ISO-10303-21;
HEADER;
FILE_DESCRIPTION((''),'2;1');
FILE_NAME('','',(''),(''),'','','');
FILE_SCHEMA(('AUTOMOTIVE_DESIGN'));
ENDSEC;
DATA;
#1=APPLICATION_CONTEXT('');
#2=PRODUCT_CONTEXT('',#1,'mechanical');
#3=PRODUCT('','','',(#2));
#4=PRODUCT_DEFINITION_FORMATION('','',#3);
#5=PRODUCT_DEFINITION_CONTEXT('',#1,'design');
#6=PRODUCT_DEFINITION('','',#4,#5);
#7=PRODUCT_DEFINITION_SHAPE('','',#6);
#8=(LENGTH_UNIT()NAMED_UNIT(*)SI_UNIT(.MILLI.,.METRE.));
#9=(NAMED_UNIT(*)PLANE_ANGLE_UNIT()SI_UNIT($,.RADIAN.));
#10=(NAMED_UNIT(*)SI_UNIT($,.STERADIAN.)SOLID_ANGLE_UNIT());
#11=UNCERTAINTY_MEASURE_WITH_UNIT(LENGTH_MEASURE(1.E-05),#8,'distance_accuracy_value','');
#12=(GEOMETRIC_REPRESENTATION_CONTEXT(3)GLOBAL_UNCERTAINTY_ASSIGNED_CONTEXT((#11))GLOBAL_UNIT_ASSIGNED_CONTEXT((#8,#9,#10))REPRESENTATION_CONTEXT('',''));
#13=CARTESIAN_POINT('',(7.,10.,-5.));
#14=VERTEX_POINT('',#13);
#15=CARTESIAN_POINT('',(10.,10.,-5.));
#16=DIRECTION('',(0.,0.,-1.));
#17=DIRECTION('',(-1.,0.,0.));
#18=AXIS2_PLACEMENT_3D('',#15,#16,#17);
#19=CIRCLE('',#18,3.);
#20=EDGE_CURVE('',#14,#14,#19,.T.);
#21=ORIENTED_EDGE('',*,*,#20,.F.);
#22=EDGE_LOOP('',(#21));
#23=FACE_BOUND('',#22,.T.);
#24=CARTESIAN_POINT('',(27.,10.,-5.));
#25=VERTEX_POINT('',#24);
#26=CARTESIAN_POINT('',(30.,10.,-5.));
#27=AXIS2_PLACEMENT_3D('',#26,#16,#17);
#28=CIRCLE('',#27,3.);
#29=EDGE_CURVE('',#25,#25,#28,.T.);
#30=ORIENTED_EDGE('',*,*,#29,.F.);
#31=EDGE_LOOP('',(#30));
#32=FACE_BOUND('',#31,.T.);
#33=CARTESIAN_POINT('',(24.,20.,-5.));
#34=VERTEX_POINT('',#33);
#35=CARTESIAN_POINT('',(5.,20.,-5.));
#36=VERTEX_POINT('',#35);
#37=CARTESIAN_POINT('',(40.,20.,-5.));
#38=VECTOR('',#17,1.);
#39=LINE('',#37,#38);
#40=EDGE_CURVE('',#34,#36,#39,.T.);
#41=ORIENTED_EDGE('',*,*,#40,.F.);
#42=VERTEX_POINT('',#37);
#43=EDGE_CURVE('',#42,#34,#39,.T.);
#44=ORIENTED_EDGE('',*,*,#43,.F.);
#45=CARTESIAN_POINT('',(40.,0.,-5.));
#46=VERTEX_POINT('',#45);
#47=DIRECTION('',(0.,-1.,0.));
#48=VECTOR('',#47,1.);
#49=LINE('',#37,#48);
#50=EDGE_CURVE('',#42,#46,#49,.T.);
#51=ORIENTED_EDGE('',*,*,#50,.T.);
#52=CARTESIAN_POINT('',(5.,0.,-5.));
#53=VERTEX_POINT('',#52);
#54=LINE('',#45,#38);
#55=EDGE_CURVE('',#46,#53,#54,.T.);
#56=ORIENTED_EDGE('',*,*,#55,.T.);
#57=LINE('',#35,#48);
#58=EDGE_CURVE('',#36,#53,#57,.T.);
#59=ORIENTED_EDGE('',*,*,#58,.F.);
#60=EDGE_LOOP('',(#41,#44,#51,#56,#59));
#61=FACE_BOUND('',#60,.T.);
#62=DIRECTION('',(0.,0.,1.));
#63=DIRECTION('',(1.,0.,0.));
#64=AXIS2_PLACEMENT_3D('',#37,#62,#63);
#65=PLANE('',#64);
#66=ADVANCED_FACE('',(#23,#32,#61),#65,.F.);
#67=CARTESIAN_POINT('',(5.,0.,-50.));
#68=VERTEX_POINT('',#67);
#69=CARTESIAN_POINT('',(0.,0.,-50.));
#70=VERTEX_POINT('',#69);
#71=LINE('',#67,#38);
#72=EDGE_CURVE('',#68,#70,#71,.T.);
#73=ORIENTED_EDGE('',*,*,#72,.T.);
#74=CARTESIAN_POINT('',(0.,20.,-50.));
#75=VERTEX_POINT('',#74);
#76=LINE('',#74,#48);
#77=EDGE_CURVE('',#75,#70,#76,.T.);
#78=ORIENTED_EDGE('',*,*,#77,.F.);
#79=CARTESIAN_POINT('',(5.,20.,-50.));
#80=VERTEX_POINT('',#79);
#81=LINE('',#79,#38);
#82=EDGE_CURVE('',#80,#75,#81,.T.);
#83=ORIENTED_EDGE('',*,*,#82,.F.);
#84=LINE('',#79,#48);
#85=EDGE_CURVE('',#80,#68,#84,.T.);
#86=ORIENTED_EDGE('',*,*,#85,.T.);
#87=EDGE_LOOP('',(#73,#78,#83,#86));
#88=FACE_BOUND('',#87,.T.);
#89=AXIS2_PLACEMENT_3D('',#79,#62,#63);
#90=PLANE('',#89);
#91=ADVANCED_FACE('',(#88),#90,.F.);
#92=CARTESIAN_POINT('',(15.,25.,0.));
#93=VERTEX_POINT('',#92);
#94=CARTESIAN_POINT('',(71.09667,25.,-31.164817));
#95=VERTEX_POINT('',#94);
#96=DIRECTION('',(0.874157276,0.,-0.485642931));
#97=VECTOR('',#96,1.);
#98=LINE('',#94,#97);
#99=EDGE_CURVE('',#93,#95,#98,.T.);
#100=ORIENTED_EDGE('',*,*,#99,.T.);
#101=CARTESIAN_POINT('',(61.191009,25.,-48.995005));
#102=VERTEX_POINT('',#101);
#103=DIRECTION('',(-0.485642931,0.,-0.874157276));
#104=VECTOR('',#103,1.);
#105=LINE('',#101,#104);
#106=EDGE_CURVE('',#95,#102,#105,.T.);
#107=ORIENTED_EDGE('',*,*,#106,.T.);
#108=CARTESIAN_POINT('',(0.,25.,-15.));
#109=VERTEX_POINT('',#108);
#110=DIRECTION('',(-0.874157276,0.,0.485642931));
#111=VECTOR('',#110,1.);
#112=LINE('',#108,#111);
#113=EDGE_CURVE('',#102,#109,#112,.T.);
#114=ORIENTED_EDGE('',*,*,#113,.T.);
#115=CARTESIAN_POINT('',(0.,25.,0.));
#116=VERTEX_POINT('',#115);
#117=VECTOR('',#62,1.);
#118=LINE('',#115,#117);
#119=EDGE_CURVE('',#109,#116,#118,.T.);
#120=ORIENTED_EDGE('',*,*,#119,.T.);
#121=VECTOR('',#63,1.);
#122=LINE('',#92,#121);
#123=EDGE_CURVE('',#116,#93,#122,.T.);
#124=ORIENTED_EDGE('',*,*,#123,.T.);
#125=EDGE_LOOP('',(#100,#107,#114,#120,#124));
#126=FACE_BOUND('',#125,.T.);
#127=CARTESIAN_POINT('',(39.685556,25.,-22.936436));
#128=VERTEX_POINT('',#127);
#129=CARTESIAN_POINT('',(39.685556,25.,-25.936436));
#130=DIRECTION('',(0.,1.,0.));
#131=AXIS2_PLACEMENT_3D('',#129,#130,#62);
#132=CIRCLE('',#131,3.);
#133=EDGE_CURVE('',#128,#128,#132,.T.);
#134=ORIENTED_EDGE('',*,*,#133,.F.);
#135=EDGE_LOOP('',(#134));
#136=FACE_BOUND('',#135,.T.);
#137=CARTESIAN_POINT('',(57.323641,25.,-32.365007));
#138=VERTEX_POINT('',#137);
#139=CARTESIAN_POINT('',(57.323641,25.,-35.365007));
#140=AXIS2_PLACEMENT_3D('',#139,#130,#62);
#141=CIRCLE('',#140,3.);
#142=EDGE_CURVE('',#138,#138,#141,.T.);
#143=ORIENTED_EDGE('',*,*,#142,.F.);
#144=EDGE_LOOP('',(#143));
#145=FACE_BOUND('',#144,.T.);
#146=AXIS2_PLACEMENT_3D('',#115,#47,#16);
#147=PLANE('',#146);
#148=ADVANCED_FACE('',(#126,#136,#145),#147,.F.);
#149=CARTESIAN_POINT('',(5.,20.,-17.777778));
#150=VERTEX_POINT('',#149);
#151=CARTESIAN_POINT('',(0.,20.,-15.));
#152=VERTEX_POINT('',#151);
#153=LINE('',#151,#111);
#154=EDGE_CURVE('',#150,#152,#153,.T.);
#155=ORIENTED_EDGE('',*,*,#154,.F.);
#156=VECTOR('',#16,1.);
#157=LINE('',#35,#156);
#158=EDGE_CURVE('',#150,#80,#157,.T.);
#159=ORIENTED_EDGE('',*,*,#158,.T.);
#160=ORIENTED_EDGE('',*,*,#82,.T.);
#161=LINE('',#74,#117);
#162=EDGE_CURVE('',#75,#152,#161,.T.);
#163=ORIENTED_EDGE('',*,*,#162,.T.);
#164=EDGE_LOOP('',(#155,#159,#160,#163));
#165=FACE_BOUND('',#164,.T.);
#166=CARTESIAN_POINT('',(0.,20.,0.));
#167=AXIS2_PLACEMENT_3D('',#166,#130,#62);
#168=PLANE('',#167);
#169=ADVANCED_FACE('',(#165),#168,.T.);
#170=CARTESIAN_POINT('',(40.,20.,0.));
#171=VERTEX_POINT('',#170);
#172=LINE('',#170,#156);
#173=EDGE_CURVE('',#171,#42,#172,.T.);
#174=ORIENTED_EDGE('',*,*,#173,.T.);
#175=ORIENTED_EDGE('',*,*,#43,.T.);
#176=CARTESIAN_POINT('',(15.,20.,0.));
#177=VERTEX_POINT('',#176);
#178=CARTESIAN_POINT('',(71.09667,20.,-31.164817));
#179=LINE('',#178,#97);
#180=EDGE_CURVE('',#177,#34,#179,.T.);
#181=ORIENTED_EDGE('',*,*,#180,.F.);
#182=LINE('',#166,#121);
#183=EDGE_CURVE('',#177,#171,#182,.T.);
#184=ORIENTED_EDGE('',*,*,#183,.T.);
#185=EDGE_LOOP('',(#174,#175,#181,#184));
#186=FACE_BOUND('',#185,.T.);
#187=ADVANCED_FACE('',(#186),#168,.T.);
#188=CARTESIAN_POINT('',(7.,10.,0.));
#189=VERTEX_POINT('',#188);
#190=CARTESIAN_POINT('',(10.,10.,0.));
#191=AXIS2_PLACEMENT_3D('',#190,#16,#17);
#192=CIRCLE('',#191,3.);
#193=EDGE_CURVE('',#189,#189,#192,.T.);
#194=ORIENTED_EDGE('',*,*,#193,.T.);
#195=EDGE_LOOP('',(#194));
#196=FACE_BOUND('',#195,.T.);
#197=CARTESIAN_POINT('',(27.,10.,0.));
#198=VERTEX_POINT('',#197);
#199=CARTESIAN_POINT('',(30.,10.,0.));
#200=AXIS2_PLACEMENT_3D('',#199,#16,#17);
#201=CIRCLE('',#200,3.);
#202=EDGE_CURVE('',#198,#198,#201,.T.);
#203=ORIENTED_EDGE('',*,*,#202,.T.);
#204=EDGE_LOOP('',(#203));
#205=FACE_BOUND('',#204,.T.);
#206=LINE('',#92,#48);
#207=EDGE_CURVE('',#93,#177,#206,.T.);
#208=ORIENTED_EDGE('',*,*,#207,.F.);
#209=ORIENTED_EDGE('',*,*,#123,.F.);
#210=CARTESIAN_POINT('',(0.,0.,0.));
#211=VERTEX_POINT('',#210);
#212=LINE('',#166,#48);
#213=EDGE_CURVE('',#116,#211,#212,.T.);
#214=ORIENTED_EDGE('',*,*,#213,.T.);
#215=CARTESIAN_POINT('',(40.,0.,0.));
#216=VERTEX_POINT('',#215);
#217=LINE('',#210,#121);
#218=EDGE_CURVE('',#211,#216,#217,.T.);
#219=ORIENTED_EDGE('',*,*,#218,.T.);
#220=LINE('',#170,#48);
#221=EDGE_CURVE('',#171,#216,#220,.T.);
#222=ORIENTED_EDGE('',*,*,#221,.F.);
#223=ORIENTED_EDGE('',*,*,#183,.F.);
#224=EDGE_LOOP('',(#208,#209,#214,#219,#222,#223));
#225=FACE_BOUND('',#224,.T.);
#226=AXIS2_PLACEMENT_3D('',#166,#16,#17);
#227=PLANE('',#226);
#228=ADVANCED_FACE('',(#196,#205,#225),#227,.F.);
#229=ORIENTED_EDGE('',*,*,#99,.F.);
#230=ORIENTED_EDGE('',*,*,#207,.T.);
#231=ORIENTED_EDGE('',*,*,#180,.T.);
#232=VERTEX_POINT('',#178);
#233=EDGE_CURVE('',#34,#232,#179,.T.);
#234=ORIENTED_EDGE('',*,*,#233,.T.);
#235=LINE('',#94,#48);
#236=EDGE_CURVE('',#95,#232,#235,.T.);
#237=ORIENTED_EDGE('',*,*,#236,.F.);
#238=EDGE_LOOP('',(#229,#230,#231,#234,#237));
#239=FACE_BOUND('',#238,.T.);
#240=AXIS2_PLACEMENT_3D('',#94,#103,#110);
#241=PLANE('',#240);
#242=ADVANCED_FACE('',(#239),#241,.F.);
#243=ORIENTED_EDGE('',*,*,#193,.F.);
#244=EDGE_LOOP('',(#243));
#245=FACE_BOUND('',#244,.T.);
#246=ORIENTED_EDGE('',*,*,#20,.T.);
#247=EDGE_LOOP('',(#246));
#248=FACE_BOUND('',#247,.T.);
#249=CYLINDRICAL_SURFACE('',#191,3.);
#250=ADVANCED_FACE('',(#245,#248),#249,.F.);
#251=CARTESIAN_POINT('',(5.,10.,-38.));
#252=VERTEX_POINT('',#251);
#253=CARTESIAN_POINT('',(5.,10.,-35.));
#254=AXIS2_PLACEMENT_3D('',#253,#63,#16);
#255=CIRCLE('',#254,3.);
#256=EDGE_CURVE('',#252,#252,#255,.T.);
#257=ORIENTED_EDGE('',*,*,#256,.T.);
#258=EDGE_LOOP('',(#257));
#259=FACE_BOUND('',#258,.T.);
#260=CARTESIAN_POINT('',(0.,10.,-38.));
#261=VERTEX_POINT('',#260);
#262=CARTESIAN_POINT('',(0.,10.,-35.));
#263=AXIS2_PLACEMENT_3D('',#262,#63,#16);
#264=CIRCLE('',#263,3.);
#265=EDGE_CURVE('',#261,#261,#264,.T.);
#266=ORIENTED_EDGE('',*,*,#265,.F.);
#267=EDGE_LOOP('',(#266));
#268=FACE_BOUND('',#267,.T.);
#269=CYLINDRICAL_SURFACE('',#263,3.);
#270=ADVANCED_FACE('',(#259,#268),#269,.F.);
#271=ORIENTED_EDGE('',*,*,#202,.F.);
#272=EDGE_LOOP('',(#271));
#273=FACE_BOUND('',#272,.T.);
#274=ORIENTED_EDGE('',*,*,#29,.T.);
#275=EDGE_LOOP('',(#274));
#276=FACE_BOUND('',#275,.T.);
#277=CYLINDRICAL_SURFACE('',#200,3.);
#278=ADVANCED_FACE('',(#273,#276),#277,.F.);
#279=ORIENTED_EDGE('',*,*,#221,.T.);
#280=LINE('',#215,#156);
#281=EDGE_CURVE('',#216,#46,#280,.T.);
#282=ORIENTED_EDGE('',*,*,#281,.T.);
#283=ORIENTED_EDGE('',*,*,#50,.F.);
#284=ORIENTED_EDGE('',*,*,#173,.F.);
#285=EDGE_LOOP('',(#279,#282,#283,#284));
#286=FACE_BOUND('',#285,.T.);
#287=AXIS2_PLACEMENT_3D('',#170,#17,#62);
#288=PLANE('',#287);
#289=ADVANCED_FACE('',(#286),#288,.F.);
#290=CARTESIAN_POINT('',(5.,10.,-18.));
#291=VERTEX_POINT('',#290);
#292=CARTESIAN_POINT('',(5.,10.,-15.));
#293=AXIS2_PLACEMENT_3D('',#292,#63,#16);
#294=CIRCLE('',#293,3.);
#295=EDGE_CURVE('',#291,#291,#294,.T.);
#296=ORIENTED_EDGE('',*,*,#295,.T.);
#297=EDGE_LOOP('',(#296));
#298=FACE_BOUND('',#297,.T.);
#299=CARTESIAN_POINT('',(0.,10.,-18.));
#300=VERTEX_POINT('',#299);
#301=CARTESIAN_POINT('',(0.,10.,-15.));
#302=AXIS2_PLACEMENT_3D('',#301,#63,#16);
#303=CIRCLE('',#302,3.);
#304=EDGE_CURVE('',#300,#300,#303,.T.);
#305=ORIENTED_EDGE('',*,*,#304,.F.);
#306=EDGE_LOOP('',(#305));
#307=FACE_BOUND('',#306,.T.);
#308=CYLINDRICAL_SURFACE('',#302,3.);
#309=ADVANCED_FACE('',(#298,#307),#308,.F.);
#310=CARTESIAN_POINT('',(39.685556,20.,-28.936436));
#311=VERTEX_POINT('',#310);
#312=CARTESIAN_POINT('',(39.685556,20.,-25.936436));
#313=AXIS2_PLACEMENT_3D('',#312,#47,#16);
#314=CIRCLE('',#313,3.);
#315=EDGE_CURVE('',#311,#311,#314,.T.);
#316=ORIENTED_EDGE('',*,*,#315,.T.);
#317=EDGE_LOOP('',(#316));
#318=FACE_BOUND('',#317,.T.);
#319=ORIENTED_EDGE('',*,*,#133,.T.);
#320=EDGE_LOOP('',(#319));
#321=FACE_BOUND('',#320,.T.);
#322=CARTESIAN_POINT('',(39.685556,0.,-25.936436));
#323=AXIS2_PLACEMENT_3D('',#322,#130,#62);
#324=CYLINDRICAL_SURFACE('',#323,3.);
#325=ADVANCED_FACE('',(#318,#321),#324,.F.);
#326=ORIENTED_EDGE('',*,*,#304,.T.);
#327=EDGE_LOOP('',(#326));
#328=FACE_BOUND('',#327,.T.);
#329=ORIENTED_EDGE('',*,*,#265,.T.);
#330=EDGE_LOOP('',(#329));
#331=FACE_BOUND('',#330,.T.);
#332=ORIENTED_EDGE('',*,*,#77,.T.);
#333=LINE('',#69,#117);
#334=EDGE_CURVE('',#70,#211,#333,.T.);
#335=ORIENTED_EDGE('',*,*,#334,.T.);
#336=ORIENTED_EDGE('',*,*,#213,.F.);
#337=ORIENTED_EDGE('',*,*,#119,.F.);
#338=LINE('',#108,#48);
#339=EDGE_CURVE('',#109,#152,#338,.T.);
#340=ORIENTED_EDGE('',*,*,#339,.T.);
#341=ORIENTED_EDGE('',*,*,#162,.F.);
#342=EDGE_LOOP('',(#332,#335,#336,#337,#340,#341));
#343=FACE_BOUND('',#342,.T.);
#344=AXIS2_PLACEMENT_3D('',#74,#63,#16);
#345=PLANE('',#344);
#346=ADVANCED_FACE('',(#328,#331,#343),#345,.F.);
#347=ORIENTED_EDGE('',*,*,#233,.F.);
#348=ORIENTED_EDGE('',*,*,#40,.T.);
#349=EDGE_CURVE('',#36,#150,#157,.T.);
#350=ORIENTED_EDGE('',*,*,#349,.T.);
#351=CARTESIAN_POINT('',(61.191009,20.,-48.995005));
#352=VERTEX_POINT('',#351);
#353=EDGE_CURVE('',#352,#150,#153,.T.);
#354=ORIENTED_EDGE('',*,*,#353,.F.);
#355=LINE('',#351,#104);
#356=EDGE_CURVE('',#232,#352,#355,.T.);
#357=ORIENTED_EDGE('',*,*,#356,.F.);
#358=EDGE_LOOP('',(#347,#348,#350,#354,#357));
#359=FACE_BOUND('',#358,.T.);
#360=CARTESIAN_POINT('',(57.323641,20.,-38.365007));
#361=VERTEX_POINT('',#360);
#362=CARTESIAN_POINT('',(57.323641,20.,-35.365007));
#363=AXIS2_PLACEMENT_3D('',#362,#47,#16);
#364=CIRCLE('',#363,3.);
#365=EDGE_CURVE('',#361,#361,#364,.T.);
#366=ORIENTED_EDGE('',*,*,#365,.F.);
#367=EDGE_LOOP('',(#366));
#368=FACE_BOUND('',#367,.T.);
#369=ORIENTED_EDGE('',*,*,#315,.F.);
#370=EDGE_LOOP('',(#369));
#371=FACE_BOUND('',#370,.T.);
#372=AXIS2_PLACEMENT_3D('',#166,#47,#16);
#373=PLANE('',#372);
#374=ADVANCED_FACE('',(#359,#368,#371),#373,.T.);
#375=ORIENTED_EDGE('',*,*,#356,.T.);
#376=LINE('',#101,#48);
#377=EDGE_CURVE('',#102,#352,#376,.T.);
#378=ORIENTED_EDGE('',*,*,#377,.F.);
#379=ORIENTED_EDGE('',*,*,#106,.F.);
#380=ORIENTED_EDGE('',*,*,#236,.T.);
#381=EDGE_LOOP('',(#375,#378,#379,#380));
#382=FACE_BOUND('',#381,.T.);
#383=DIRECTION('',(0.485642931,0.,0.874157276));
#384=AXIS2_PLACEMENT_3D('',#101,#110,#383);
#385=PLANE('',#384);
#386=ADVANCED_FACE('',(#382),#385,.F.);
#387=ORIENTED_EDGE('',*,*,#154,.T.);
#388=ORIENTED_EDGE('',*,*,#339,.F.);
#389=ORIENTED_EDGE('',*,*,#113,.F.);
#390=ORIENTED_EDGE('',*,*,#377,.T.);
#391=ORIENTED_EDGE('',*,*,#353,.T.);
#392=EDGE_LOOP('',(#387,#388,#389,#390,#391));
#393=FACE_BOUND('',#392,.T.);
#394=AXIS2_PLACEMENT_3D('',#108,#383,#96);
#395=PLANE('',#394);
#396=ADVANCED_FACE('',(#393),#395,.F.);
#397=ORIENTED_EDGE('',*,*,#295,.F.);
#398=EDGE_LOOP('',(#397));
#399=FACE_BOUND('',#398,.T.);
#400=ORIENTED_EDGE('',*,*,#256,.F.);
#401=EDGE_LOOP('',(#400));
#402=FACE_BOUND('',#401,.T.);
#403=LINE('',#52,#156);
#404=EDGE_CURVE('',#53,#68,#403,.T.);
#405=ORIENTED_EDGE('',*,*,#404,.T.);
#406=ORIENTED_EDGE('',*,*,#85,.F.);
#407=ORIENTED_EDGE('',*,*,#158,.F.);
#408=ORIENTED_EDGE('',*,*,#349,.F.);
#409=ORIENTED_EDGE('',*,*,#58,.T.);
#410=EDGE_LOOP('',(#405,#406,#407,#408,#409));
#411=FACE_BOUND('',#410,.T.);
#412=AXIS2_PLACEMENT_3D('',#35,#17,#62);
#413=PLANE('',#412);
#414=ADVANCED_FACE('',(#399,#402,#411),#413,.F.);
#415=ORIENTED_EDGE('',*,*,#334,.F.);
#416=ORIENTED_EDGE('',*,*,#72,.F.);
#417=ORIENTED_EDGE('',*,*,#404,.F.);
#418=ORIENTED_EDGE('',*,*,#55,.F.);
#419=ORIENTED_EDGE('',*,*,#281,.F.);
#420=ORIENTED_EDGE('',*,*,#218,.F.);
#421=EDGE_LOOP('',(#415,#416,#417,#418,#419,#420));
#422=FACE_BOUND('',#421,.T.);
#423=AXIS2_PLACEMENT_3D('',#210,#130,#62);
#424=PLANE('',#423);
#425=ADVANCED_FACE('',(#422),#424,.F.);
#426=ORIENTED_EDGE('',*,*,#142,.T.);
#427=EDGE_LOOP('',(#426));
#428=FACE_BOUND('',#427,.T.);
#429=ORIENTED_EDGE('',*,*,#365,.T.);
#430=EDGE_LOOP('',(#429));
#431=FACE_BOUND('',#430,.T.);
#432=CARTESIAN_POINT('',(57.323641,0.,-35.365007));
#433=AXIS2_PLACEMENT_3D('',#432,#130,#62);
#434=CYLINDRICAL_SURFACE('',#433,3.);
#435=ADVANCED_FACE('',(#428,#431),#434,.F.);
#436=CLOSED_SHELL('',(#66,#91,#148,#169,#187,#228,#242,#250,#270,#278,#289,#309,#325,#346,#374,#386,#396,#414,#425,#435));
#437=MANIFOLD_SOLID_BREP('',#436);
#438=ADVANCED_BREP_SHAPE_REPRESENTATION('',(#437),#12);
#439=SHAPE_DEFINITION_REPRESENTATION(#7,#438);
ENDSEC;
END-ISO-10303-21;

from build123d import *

# Parameters (mm, degrees)
BOSS_EXTRUDE1_DEPTH = 20
BOSS_EXTRUDE5_DEPTH = 5
SKETCH12_R          = 3
CUT_EXTRUDE7_DEPTH  = 88.776628115
SKETCH13_R          = 3
CUT_EXTRUDE8_DEPTH  = 87.566562518
SKETCH14_R          = 3
CUT_EXTRUDE9_DEPTH  = 91.441895398


with BuildPart() as part:
    # Sketch1 → Boss-Extrude1 (new body)
    with BuildSketch(Plane(origin=(0, 0, 0), x_dir=(1, 0, 0), z_dir=(0, 1, 0))):
        Polygon((0, 50), (0, 0), (40, 0), (40, 5), (5, 5), (5, 50), align=None)
    extrude(amount=BOSS_EXTRUDE1_DEPTH)

    # Sketch11 → Boss-Extrude5 (add)
    with BuildSketch(Plane(origin=(0, 20, 0), x_dir=(1, 0, 0), z_dir=(0, 1, 0))):
        Polygon((0, 0), (0, 15), (61.191009328, 48.995005183), (71.096669706, 31.164816504), (15, 0), align=None)
    extrude(amount=BOSS_EXTRUDE5_DEPTH)

    # Sketch12 → Cut-Extrude7 (cut, through all)
    with BuildSketch(Plane(origin=(0, 0, -5), x_dir=(-1, 0, 0), z_dir=(0, 0, -1))):
        with Locations((-10, 10)):
            Circle(SKETCH12_R)
        with Locations((-30, 10)):
            Circle(SKETCH12_R)
    extrude(amount=-CUT_EXTRUDE7_DEPTH, mode=Mode.SUBTRACT)

    # Sketch13 → Cut-Extrude8 (cut, through all)
    with BuildSketch(Plane(origin=(5, 0, 0), x_dir=(0, 0, -1), z_dir=(1, 0, 0))):
        with Locations((15, 10)):
            Circle(SKETCH13_R)
        with Locations((35, 10)):
            Circle(SKETCH13_R)
    extrude(amount=-CUT_EXTRUDE8_DEPTH, mode=Mode.SUBTRACT)

    # Sketch14 → Cut-Extrude9 (cut, through all)
    with BuildSketch(Plane(origin=(0, 25, 0), x_dir=(1, 0, 0), z_dir=(0, 1, 0))):
        with Locations((57.323641314, 35.365007327)):
            Circle(SKETCH14_R)
        with Locations((39.685556362, 25.936435896)):
            Circle(SKETCH14_R)
    extrude(amount=-CUT_EXTRUDE9_DEPTH, mode=Mode.SUBTRACT)


solid = part.part
